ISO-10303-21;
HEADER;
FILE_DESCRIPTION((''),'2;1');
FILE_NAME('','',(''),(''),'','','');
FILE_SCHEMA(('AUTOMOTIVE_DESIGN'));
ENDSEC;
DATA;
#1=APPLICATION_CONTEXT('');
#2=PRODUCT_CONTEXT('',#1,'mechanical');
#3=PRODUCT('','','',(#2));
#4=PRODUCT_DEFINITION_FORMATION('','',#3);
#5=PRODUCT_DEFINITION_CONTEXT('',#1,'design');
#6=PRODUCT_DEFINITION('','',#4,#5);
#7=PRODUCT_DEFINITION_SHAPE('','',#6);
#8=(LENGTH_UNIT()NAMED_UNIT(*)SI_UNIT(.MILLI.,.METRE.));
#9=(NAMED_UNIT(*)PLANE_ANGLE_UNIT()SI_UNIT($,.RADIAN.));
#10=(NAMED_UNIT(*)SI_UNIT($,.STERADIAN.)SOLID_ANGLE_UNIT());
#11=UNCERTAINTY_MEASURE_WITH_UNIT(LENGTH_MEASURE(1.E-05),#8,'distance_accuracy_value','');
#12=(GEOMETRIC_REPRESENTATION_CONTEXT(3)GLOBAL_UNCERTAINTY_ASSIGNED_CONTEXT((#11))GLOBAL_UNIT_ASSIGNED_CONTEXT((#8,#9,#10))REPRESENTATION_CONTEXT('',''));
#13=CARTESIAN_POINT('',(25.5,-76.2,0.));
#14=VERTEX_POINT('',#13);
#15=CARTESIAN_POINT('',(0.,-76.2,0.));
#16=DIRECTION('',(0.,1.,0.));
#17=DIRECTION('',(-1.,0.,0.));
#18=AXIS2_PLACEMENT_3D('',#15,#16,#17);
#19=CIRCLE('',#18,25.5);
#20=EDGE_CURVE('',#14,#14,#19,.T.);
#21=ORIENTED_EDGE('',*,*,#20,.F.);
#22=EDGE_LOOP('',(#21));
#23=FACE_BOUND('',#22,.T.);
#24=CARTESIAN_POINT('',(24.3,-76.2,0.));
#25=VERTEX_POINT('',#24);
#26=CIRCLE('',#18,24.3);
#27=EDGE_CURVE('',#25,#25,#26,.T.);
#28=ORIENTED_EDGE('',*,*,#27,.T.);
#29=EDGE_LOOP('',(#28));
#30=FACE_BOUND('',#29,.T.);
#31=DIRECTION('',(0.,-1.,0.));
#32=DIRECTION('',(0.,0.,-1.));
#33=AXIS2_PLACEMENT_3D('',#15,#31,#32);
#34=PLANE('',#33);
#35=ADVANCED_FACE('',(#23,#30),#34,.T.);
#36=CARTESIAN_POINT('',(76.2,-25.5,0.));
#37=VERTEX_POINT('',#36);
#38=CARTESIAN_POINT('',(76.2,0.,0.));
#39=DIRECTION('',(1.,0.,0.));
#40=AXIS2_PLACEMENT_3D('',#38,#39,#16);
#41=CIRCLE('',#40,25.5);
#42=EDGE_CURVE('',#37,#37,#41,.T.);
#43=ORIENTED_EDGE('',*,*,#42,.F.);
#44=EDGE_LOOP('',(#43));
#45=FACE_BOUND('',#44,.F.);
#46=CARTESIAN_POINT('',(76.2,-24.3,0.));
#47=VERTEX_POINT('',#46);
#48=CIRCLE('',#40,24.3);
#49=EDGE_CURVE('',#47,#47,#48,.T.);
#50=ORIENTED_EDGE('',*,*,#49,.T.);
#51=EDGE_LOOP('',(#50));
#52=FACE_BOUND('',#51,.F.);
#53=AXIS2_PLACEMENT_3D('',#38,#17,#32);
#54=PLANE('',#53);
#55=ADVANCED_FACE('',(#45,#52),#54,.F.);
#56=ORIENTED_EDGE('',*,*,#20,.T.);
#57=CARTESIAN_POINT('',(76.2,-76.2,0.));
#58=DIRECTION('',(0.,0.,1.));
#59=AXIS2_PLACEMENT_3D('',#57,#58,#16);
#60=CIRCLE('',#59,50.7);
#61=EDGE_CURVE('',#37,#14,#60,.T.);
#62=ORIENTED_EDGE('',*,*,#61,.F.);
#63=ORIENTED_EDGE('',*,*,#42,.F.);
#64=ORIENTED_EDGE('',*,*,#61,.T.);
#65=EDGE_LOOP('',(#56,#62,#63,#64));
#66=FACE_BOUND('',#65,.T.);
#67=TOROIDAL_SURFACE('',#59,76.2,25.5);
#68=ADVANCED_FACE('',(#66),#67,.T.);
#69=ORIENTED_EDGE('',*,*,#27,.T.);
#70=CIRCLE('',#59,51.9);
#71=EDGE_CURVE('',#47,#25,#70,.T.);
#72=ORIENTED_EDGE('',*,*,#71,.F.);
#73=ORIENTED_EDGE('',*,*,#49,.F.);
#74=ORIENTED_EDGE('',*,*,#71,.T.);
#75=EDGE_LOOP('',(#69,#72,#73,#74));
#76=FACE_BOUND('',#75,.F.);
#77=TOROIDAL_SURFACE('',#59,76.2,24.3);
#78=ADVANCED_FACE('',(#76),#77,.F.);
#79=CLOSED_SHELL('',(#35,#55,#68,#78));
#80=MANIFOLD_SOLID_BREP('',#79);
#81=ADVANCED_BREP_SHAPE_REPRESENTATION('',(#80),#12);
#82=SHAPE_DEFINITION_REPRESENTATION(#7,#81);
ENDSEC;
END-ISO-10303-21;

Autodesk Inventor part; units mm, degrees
ref_plane "YZ Plane" through (0, 0, 0) normal (1, 0, 0) x (0, 1, 0)
ref_plane "XZ Plane" through (0, 0, 0) normal (0, 1, 0) x (-1, 0, 0)
sketch "Szkic6" plane through (0, 0, 0) normal (0, 0, 1) x (1, 0, 0)
  line L0 (-29.6067, 0) -> (35.2678, 0) construction
  line L1 (0, 42.3419) -> (0, -58.3726) construction
  arc A0 (76.2, 0) -> (0, -76.2) centre (76.2, -76.2) ccw
  line L2 (0, -76.2) -> (76.2, -76.2) construction
  line L3 (76.2, -76.2) -> (76.2, -10.6669) construction
  line L4 (76.2, 0) -> (76.2, 0)
  line L5 (0, -76.2) -> (0, -76.2)
  point P0 (0, 0)
  dimension "d24" = 76.2
  dimension "d31" = 90
  dimension "d36" = 0
  dimension "d37" = 0
ref_plane "Płaszczyzna konstrukcyjna2" through (0, -76.2, 0) normal (0, -1, 0) x (1, 0, 0)
sketch "Szkic8" plane through (0, -76.2, 0) normal (0, -1, 0) x (1, 0, 0)
  circle A0 centre (0, 0) radius 25.5
  circle A1 centre (0, 0) radius 24.3
  dimension "d32" = 51
  dimension "d33" = 1.2
sweep "Przeciągnięcie2" add profiles "Szkic8" path "Szkic6"
equation "\"d32\" = OD"
equation "\"d33\" = THK"
equation "\"d24\" = R"
equation "\"d31\" = KAT"
equation "\"SzerokośćGięciaPodcięcia\" = Grubość"
equation "\"RozmiarPodcięciaNarożnika\" = 4 * Grubość"
equation "\"PromieńPrzejścia\" = PromieńGięcia"
equation "\"Rozmiar_promienia_Jacobiego\" = PromieńGięcia"
equation "\"Wielk_odstępu\" = Grubość"
equation "\"d2\" = PromieńGięcia"
equation "\"d23\" = PromieńGięcia"
equation "\"R\" = 76.2"
equation "\"OD\" = 51"
equation "\"THK\" = 1.2"
equation "\"KAT\" = 90deg"
equation "\"PROSTKA\" = 0"
equation "\"Grubość\" = 1.5"
equation "\"PromieńGięcia\" = 3"
properties part number "Kolano 90° ø51x1,2 R76,2" material "304L"
